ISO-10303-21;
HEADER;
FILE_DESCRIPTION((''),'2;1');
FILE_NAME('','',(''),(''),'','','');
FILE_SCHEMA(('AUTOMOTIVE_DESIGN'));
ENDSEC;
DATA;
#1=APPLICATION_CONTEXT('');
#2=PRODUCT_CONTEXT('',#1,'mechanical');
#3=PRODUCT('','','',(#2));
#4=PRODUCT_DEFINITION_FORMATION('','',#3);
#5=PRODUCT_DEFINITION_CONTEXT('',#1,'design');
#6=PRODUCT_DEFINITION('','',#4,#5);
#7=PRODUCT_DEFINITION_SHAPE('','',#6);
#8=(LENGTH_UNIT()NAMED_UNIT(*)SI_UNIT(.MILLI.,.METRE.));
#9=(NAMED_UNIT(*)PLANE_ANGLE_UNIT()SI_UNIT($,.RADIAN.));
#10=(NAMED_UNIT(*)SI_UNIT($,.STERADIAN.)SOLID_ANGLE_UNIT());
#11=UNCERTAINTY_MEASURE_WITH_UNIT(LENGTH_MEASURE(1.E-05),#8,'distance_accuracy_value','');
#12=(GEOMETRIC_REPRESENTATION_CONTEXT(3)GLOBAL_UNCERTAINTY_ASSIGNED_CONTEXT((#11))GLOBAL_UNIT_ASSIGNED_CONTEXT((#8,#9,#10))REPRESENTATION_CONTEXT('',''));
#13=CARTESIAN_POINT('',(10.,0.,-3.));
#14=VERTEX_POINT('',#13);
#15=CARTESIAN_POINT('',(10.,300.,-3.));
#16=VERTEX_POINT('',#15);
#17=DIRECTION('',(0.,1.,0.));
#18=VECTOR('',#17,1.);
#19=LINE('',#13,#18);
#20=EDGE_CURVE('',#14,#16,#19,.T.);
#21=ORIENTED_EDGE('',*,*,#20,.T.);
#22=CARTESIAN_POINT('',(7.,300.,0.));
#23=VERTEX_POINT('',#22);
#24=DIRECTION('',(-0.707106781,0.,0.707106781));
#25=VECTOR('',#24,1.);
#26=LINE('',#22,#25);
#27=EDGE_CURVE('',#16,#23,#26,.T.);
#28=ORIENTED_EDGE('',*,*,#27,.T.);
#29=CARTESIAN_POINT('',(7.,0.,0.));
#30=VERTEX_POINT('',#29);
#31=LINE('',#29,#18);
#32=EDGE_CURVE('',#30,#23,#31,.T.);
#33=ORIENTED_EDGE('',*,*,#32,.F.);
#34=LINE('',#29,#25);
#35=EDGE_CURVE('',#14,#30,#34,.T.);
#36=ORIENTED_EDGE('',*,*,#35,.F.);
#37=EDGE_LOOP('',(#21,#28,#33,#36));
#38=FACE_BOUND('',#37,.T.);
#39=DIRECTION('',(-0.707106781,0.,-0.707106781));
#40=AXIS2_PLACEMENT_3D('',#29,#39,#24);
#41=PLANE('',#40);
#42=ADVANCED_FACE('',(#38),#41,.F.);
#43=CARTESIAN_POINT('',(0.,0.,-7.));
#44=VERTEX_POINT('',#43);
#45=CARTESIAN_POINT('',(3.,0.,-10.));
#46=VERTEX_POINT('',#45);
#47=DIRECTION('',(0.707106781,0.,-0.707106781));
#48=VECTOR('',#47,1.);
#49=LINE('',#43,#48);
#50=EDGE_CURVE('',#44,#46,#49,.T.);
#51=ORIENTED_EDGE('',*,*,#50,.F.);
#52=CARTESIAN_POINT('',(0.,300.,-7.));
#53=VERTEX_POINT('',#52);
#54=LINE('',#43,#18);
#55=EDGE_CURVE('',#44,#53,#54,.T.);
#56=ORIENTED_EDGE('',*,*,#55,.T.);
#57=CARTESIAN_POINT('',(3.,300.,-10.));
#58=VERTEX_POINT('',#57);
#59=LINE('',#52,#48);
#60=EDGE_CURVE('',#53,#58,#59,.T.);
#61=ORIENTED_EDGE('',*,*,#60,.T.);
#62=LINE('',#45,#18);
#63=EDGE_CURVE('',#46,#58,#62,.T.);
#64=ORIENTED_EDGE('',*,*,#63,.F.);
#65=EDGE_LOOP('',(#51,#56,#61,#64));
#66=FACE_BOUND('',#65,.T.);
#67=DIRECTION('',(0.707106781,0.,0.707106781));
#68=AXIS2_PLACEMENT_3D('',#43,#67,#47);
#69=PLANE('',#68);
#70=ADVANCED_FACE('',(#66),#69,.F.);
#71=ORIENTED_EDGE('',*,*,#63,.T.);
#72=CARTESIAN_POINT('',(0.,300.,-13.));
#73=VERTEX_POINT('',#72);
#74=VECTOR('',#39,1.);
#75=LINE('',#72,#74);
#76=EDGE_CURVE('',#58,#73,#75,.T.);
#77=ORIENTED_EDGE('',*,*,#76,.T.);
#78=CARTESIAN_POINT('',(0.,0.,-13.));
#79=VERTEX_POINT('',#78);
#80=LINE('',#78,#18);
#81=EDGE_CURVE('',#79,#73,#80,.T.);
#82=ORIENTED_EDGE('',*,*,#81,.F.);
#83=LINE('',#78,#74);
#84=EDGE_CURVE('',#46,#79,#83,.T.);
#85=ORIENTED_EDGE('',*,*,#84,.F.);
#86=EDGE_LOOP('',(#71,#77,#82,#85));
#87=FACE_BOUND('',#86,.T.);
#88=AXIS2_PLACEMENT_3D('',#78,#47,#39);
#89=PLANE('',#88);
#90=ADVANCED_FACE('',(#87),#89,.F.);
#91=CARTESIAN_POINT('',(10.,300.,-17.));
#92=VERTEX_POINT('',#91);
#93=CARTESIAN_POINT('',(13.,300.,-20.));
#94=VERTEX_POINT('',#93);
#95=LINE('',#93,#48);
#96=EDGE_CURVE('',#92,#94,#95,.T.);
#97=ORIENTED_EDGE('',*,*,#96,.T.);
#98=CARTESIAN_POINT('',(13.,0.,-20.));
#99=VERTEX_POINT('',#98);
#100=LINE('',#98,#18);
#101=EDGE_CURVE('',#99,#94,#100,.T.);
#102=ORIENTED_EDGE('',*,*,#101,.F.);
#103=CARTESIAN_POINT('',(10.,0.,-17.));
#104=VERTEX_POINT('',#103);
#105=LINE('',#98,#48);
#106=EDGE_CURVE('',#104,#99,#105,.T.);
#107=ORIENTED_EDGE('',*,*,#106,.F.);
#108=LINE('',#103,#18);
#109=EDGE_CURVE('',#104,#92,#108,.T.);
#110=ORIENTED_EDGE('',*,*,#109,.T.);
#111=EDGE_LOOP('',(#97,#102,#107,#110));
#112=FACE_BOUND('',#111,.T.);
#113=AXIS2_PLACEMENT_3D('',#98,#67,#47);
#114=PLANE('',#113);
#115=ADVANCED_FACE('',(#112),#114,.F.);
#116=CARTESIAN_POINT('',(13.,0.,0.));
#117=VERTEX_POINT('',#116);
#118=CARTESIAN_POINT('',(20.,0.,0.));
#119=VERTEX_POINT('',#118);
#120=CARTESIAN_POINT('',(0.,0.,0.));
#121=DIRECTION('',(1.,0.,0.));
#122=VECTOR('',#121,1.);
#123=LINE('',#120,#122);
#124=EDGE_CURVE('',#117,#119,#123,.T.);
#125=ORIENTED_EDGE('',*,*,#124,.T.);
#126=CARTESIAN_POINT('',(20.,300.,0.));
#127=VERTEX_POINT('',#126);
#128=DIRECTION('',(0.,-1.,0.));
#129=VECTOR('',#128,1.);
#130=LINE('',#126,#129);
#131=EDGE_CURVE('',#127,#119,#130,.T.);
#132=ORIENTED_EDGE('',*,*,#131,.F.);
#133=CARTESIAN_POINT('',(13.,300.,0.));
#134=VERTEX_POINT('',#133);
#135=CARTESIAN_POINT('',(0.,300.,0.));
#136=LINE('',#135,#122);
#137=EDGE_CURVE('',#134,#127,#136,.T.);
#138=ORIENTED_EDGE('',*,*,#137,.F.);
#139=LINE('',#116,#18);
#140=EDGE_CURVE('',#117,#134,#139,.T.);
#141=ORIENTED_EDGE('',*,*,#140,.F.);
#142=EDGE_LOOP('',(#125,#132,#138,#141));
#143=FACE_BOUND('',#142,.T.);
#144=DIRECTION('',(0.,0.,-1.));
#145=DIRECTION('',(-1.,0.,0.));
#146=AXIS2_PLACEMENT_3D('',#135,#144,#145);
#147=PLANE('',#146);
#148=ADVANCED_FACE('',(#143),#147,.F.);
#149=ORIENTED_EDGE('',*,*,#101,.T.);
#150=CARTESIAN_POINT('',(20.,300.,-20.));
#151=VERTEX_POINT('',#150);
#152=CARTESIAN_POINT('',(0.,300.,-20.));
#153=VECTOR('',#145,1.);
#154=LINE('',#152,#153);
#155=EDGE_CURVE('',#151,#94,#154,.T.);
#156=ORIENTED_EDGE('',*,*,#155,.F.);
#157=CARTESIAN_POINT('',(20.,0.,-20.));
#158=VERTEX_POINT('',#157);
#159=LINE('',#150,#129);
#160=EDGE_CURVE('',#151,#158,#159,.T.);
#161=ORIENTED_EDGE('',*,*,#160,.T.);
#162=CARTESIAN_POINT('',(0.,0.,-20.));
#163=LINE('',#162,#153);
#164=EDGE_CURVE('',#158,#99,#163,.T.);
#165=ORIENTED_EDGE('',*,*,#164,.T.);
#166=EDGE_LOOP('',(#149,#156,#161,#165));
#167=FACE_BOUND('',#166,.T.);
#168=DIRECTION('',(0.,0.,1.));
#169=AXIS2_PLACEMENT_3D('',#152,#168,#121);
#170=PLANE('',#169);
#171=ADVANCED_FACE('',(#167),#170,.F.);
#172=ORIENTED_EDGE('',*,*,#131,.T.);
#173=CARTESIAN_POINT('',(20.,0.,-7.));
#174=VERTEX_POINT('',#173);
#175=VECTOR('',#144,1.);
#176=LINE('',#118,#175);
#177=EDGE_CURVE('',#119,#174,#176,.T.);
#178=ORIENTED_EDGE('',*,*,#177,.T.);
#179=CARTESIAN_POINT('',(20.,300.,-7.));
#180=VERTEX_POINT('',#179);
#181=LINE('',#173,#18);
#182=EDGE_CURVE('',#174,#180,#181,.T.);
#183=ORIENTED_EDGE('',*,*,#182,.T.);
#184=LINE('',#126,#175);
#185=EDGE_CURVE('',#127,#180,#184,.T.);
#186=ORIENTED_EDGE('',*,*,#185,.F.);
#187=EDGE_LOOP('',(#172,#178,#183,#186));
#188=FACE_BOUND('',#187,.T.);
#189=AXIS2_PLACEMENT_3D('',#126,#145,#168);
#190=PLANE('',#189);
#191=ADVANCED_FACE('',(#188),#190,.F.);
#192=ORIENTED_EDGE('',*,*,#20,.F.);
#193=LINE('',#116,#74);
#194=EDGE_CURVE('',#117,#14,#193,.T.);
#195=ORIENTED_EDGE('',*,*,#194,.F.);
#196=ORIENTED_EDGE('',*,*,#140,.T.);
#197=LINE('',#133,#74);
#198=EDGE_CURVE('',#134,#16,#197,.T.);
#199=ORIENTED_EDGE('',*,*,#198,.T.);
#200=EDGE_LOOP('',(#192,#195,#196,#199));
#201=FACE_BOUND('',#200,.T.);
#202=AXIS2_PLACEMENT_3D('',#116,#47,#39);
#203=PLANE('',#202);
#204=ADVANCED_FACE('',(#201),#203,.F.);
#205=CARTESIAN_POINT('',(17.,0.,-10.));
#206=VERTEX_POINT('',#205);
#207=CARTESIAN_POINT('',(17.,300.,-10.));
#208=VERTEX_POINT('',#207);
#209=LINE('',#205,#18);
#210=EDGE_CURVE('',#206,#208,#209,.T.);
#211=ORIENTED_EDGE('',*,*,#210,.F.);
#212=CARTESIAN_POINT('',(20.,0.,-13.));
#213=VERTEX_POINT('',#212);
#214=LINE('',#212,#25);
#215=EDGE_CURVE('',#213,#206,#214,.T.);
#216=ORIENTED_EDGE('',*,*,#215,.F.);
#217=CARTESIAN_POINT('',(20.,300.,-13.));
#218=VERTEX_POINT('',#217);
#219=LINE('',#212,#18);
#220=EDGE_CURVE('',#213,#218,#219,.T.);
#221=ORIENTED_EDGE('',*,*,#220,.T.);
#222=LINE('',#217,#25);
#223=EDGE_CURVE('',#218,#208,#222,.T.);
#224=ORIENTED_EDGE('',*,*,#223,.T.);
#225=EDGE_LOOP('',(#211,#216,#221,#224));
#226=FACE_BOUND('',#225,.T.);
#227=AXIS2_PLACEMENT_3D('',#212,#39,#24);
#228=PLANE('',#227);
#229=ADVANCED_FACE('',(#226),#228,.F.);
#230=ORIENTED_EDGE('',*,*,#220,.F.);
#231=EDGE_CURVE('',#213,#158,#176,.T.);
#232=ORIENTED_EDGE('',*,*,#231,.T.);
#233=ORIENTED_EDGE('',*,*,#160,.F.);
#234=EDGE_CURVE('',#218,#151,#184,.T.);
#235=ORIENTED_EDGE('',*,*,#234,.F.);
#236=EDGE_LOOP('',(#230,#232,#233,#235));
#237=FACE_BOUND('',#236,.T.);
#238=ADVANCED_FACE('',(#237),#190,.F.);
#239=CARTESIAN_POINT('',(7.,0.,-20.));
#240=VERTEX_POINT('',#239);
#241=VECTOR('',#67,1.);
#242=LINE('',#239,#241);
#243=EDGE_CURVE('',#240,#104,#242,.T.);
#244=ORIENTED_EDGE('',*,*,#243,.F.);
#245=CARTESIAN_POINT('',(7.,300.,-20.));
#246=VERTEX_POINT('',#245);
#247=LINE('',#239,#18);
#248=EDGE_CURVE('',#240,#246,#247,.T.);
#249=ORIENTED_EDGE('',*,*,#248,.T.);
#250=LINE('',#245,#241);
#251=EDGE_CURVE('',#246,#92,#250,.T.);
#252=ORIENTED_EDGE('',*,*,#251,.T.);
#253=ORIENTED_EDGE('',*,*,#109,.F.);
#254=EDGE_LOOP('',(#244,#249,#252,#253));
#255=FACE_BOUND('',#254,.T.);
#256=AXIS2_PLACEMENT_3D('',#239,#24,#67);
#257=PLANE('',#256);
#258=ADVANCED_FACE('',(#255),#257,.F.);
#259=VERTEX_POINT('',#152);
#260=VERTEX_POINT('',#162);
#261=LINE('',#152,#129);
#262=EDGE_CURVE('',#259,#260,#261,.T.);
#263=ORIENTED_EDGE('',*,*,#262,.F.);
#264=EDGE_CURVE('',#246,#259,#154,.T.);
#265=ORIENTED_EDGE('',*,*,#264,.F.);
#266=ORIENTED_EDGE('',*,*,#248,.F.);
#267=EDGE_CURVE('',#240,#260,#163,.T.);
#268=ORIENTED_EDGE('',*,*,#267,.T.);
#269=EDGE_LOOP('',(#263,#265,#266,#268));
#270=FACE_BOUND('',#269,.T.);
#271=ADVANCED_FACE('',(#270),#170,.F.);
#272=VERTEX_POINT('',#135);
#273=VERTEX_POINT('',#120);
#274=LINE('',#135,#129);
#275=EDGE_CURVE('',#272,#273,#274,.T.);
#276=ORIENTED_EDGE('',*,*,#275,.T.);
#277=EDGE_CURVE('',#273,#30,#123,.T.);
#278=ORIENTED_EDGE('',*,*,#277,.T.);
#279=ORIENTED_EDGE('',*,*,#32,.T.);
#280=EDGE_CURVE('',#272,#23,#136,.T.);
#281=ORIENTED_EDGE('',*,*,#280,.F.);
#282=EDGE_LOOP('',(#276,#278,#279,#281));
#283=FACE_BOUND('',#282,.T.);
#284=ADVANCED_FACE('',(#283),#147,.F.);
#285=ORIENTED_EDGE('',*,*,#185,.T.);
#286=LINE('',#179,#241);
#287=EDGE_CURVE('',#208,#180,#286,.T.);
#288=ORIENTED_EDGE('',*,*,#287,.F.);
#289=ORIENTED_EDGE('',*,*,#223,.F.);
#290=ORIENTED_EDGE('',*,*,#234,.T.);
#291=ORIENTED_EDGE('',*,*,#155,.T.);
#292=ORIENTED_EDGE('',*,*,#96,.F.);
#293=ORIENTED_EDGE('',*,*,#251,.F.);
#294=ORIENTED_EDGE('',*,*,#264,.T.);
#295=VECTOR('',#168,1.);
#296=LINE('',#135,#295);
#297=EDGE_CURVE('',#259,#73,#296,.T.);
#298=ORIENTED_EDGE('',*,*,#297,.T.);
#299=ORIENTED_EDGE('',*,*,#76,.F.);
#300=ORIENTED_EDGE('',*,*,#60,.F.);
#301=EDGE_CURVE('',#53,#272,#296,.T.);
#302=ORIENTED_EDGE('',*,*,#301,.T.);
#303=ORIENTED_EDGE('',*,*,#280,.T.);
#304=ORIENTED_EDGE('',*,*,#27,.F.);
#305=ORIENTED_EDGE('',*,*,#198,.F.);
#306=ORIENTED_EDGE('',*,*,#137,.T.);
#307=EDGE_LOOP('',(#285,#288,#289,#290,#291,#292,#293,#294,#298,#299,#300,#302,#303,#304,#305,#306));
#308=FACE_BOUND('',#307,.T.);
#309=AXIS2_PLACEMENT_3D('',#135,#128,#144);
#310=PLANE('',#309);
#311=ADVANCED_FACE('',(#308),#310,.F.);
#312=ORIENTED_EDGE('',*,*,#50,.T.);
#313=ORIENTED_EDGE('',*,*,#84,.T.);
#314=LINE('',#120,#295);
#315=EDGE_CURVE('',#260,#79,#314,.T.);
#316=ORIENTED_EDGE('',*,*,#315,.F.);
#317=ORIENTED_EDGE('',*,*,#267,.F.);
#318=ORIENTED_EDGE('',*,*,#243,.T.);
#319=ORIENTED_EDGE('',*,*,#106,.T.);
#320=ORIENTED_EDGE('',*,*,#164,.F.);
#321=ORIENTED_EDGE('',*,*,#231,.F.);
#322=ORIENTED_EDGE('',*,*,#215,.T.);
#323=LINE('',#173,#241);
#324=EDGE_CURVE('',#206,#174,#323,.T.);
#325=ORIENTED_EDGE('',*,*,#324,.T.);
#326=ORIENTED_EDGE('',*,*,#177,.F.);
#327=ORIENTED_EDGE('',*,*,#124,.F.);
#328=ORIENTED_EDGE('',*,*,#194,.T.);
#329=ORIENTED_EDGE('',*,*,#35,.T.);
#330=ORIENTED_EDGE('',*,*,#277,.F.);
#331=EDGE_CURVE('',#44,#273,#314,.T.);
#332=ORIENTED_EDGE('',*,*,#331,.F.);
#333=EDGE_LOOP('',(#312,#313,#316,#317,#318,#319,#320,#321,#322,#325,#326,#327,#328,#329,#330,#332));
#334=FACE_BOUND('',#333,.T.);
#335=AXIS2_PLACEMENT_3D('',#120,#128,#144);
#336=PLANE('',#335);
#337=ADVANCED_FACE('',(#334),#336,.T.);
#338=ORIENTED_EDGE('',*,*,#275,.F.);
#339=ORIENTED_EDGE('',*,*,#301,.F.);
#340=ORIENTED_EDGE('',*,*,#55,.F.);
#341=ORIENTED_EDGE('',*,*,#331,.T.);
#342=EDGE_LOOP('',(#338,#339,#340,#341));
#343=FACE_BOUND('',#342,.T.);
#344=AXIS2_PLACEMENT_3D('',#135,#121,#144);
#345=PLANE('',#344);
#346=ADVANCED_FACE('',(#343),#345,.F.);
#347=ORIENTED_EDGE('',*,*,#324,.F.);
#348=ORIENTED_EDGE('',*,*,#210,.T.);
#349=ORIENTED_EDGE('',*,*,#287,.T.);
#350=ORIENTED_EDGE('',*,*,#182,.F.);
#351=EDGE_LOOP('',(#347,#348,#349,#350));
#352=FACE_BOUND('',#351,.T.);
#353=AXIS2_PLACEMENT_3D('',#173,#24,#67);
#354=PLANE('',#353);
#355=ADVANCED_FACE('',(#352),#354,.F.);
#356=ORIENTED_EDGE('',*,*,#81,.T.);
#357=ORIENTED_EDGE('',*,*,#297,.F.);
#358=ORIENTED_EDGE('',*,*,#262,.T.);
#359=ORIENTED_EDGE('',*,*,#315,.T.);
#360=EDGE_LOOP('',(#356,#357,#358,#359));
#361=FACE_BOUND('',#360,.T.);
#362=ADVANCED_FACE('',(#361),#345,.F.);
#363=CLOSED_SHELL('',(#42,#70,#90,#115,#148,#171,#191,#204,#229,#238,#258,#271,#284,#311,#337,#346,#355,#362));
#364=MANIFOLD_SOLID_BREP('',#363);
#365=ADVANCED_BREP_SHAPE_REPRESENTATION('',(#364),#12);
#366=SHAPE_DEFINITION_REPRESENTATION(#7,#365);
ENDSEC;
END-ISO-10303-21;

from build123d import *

# Parameters (mm, degrees)
SKIZZE1_W                       = 20
SKIZZE1_H                       = 20
AUFSATZ_LINEAR_AUSTRAGEN1_DEPTH = 300
SCHNITT_LINEAR_AUSTRAGEN1_DEPTH = 302.330383466


with BuildPart() as part:
    # Skizze1 → Aufsatz-Linear austragen1 (new body)
    with BuildSketch(Plane(origin=(0, 0, 0), x_dir=(1, 0, 0), z_dir=(0, 1, 0))):
        with Locations((10, 10)):
            Rectangle(SKIZZE1_W, SKIZZE1_H)
    extrude(amount=AUFSATZ_LINEAR_AUSTRAGEN1_DEPTH)

    # Skizze2 → Schnitt-Linear austragen1 (cut, through all)
    with BuildSketch(Plane(origin=(0, 300, 0), x_dir=(1, 0, 0), z_dir=(0, 1, 0))):
        Polygon((7, 20), (10, 17), (13, 20), align=None)
        Polygon((20, 13), (17, 10), (20, 7), align=None)
        Polygon((0, 7), (0, 13), (3, 10), align=None)
        Polygon((7, 0), (13, 0), (10, 3), align=None)
    extrude(amount=-SCHNITT_LINEAR_AUSTRAGEN1_DEPTH, mode=Mode.SUBTRACT)


solid = part.part
